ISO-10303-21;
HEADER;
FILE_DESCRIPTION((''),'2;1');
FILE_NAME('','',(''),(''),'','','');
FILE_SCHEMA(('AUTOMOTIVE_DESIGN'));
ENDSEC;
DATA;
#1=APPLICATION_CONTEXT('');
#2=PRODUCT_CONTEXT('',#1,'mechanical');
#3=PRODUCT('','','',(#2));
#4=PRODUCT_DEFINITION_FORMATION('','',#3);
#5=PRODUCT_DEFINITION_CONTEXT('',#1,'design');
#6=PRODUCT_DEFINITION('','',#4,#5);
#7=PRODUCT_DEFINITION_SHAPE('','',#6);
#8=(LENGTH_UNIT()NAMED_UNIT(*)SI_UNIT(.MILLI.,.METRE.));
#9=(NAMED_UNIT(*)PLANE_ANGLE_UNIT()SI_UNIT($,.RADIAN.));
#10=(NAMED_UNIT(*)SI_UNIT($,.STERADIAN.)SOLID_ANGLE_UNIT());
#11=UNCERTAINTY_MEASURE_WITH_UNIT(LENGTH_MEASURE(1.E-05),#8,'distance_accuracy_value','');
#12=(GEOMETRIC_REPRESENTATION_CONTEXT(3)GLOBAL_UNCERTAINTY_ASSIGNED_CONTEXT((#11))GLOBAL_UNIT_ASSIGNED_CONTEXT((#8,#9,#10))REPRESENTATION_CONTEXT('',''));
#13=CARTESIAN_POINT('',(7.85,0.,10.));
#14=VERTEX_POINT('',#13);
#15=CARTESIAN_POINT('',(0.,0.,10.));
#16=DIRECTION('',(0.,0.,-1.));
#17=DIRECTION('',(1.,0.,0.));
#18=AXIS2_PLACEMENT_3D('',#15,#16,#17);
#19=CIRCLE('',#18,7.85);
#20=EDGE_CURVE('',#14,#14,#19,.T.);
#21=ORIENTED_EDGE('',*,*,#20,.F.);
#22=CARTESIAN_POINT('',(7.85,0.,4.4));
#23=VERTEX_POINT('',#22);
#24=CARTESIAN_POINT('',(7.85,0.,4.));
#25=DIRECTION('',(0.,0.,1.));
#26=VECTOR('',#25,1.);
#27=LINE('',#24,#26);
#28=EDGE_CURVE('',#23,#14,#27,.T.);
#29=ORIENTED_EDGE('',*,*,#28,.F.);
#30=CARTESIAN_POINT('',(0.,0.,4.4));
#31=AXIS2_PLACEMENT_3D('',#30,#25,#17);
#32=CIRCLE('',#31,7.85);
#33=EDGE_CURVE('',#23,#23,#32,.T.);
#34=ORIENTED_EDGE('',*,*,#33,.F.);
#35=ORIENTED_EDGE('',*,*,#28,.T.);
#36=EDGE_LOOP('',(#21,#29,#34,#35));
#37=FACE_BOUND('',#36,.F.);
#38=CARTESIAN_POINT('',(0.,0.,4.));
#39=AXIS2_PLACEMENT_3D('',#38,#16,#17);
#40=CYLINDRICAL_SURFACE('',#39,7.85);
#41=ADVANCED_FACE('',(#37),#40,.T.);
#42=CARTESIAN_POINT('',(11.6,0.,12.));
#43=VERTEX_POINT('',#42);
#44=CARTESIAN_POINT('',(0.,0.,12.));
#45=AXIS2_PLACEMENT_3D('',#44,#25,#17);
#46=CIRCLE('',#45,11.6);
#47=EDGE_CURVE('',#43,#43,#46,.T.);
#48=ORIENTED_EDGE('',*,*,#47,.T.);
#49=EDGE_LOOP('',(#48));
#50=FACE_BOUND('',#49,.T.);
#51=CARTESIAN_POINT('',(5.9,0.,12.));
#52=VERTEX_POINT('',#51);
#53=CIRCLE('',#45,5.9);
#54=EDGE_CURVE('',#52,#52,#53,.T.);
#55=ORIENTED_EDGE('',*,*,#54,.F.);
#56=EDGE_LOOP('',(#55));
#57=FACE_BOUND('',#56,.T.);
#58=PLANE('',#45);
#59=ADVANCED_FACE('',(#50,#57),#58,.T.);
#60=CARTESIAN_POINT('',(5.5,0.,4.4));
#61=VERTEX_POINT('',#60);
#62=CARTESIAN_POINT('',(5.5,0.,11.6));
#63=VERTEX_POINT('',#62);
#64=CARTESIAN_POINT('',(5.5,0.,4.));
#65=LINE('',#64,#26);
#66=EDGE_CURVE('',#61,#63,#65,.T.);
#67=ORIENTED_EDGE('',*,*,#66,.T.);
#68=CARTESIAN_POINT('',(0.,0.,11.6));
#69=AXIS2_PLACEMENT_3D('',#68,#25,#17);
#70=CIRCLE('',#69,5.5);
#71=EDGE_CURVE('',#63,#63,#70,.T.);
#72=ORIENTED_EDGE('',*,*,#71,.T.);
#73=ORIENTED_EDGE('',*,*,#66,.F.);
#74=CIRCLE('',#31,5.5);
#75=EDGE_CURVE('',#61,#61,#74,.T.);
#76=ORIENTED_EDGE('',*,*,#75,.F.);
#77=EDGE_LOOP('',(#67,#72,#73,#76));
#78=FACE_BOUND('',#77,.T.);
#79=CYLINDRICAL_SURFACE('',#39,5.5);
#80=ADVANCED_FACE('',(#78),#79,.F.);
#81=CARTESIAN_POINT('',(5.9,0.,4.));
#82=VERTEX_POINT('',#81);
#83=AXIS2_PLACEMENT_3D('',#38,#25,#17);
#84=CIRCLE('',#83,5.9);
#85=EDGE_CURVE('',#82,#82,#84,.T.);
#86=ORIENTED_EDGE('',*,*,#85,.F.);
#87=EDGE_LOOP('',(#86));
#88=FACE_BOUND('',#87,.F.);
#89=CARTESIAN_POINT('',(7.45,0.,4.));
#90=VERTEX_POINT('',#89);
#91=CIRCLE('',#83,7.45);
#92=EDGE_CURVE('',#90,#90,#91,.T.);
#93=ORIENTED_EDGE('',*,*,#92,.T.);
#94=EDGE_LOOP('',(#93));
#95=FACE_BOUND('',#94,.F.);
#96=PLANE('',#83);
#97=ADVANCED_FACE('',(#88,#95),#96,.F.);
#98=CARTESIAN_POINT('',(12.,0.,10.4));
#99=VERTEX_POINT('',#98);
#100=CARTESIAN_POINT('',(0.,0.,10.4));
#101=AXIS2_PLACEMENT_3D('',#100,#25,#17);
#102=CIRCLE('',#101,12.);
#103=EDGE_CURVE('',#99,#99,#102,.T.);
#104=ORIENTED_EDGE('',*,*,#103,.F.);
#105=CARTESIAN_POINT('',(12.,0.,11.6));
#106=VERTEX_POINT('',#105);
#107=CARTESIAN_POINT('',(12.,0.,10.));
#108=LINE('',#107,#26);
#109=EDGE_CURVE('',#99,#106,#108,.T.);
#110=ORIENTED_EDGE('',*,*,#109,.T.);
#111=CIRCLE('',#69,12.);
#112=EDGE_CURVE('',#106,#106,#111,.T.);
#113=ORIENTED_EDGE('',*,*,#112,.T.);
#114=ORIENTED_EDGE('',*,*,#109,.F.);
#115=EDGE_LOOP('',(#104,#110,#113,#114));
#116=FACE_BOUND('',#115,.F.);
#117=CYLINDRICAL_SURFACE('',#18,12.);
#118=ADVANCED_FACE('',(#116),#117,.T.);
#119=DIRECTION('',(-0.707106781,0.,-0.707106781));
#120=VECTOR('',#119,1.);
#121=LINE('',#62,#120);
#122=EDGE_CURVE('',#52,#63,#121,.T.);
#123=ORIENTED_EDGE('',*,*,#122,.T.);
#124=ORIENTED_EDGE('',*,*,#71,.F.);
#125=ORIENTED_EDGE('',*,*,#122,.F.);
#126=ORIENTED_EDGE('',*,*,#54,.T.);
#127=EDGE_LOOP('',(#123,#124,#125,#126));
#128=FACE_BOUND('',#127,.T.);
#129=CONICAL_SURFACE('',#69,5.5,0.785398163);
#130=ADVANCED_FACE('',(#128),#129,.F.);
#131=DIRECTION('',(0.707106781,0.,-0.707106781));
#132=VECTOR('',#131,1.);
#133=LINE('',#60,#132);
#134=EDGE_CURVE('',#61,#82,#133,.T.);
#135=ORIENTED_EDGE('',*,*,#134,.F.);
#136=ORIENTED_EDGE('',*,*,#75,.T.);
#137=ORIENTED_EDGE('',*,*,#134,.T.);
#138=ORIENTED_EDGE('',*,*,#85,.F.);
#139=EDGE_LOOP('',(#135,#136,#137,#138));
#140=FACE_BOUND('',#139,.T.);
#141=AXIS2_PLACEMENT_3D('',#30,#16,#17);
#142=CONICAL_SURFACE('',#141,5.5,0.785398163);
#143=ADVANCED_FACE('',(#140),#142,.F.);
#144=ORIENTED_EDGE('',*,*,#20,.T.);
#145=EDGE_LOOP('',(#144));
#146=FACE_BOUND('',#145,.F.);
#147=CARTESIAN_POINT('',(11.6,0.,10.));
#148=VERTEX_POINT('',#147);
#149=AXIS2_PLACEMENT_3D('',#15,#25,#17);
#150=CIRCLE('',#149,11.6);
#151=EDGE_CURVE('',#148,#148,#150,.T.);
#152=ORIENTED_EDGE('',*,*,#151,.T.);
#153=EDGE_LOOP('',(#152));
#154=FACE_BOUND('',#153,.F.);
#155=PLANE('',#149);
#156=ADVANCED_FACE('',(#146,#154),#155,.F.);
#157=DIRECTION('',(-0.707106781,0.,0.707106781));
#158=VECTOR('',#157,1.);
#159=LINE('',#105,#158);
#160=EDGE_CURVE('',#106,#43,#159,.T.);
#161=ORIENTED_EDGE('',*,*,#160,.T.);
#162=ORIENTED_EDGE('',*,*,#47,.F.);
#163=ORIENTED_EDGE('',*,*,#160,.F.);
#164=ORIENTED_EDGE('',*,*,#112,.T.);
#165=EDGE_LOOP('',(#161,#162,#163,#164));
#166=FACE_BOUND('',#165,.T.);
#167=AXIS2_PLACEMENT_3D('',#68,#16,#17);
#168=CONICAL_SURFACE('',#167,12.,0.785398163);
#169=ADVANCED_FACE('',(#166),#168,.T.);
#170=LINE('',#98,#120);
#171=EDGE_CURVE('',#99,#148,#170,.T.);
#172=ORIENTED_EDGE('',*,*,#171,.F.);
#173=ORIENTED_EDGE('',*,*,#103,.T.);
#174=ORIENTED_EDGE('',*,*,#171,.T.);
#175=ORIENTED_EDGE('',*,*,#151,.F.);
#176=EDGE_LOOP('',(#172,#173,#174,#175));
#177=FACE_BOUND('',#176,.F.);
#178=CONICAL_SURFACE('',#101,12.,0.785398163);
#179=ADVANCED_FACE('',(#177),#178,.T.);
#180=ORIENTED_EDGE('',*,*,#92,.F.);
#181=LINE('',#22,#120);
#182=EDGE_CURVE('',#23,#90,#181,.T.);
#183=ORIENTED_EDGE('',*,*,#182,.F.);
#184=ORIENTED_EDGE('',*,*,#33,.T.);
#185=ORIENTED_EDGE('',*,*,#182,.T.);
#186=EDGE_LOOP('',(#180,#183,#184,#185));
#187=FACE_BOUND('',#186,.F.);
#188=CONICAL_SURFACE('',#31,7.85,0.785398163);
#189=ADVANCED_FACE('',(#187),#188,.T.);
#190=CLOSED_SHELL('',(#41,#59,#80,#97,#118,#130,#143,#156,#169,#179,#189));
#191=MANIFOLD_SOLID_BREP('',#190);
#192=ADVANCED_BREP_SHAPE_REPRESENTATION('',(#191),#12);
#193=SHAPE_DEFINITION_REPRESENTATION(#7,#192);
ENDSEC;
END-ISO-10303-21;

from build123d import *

# Parameters (mm, degrees)
CYLINDER040_R               = 5.5
CYLINDER040_DEPTH           = 8
CYLINDER039_R               = 12
CYLINDER039_DEPTH           = 2
CYLINDER038_R               = 7.85
CYLINDER038_DEPTH           = 8
CHAMFER003068012002091_SIZE = 0.4


with BuildPart() as cylinder040:
    # Cylinder040 → Cylinder040 (new body)
    with BuildSketch(Plane.XY.offset(-2)):
        Circle(CYLINDER040_R)
    extrude(amount=CYLINDER040_DEPTH)


with BuildPart() as cylinder039:
    # Cylinder039 → Cylinder039 (new body)
    with BuildSketch(Plane.XY.offset(4)):
        Circle(CYLINDER039_R)
    extrude(amount=CYLINDER039_DEPTH)


with BuildPart() as bearing_remover_bottom:
    # Cylinder038 → Cylinder038 (new body)
    with BuildSketch(Plane.XY.offset(-2)):
        Circle(CYLINDER038_R)
    extrude(amount=CYLINDER038_DEPTH)

    # Fusion001002012036: union Cylinder039
    add(cylinder039.part)

    # Cut001042: cut Cylinder040
    add(cylinder040.part, mode=Mode.SUBTRACT)

    # Chamfer003068012002091
    chamfer003068012002091_edges = [bearing_remover_bottom.edges().sort_by_distance(p)[0] for p in [
        (-12, 0, 6),
        (-12, 0, 4),
        (-7.85, 0, -2),
        (-5.5, 0, 6),
        (-5.5, 0, -2),
    ]]
    chamfer(chamfer003068012002091_edges, length=CHAMFER003068012002091_SIZE)


with BuildPart() as bearing_remover_bottom_1:
    # Chamfer003068012002091 placement: moved
    add(bearing_remover_bottom.part.moved(Location((0, 0, 6))))


solid = bearing_remover_bottom_1.part
